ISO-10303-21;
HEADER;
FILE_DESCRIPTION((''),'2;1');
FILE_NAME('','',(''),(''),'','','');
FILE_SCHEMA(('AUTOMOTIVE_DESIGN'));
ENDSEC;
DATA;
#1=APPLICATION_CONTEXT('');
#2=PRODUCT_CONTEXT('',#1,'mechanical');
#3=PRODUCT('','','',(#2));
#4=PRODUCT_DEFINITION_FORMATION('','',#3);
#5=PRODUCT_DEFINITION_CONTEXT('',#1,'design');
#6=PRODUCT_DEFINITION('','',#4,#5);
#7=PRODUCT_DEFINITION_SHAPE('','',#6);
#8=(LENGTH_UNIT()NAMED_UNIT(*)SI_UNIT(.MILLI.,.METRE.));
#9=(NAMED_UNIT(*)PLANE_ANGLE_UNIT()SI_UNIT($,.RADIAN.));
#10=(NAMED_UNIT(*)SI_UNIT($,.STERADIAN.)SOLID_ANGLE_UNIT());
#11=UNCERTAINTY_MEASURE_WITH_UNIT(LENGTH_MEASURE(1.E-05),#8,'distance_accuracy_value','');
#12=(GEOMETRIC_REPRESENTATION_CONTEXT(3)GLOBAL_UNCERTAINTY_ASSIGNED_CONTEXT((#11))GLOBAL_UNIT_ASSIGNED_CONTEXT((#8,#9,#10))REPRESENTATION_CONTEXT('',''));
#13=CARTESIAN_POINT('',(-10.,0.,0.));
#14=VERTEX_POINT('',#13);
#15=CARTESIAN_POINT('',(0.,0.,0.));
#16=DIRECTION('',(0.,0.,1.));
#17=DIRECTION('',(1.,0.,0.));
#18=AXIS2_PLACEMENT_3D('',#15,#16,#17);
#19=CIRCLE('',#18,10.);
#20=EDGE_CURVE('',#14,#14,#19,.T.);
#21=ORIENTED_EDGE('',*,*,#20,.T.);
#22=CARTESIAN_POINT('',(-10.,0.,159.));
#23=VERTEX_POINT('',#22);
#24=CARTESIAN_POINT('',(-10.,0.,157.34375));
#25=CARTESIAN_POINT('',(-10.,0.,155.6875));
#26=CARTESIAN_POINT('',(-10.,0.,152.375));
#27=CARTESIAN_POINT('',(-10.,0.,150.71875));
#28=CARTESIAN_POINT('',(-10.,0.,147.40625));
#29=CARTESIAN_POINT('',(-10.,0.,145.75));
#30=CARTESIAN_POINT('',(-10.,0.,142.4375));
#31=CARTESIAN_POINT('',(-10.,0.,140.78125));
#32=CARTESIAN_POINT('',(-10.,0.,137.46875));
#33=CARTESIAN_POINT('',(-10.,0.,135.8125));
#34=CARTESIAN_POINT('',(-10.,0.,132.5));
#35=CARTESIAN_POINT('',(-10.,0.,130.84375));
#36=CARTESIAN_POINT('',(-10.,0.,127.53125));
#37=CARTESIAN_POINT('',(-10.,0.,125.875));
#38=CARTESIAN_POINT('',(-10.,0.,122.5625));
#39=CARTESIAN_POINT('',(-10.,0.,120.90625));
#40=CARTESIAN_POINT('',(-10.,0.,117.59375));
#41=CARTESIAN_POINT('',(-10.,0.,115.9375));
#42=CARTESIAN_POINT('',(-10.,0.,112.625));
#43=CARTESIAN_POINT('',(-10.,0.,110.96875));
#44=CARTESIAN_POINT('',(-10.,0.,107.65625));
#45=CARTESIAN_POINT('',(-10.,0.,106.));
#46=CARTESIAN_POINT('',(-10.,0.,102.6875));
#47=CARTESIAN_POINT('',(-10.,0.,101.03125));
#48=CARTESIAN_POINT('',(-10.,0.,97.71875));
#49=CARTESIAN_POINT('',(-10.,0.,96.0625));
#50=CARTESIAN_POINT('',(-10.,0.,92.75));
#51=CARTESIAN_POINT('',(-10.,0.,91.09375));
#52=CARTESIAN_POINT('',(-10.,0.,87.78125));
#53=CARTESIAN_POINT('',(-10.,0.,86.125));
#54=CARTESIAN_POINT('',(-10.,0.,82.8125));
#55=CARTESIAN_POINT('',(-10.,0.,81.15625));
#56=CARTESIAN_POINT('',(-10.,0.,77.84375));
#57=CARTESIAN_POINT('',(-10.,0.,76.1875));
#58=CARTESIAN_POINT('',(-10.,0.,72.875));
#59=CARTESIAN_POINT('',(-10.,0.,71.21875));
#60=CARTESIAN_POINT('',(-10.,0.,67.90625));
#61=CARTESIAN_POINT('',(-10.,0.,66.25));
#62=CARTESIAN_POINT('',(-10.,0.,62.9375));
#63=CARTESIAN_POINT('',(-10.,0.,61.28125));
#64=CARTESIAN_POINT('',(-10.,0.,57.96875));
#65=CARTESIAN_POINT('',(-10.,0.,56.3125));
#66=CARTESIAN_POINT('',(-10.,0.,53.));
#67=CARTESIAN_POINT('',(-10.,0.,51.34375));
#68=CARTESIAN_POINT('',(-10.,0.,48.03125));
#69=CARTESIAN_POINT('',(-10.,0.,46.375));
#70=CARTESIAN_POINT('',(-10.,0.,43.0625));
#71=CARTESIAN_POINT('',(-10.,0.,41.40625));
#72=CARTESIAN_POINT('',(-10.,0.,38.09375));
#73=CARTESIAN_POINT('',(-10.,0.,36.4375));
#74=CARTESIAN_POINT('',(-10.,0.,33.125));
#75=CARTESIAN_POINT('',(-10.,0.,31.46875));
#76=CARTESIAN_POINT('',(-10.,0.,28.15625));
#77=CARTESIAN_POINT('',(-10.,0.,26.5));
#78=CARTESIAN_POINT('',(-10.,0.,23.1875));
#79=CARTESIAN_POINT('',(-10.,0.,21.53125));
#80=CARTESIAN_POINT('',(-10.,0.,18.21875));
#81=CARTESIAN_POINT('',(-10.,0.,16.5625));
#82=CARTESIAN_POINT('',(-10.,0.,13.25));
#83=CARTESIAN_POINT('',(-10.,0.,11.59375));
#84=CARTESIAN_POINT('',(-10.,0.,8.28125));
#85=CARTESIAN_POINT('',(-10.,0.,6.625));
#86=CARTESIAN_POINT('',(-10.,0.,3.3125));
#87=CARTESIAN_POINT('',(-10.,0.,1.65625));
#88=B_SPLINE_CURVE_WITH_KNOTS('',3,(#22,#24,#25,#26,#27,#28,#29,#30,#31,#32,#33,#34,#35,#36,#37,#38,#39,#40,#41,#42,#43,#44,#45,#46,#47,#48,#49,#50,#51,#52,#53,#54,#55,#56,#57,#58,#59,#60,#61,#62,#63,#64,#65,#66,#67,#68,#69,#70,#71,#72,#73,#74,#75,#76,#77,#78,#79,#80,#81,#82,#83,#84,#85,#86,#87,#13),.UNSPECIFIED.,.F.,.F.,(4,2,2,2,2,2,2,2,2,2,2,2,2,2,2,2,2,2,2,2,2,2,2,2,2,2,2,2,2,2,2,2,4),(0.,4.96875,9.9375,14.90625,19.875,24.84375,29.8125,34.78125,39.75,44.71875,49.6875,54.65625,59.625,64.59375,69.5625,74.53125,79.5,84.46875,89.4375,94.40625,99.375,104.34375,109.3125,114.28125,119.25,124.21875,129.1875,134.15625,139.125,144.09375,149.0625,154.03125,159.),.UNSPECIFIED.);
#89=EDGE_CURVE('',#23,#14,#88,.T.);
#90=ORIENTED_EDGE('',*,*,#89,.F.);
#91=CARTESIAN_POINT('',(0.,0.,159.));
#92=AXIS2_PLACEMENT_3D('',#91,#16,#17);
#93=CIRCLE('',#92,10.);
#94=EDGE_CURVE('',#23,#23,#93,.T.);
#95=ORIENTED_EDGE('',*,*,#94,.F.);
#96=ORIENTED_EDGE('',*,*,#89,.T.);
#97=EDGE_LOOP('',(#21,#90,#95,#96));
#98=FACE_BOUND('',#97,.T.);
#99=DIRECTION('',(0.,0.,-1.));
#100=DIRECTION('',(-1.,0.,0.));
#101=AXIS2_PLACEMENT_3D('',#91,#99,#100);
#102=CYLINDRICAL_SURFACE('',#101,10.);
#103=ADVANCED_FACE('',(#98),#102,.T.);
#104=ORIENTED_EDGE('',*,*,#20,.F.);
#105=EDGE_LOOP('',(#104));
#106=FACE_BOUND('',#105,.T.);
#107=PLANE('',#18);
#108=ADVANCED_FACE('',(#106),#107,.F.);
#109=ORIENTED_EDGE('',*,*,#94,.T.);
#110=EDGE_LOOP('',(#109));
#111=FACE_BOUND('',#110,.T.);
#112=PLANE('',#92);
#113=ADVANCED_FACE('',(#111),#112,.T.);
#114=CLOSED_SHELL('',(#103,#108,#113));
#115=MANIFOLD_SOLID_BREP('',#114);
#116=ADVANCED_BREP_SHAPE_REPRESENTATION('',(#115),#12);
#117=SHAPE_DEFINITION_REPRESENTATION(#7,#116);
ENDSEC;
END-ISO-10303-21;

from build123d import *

# Parameters (mm, degrees)
SKETCH1_R           = 10
BOSS_EXTRUDE1_DEPTH = 159


with BuildPart() as part:
    # Sketch1 → Boss-Extrude1 (new body)
    with BuildSketch(Plane.XY):
        with Locations(Location((0, 0, 0), (0, 0, 180))):
            Circle(SKETCH1_R)
    extrude(amount=BOSS_EXTRUDE1_DEPTH)


solid = part.part
